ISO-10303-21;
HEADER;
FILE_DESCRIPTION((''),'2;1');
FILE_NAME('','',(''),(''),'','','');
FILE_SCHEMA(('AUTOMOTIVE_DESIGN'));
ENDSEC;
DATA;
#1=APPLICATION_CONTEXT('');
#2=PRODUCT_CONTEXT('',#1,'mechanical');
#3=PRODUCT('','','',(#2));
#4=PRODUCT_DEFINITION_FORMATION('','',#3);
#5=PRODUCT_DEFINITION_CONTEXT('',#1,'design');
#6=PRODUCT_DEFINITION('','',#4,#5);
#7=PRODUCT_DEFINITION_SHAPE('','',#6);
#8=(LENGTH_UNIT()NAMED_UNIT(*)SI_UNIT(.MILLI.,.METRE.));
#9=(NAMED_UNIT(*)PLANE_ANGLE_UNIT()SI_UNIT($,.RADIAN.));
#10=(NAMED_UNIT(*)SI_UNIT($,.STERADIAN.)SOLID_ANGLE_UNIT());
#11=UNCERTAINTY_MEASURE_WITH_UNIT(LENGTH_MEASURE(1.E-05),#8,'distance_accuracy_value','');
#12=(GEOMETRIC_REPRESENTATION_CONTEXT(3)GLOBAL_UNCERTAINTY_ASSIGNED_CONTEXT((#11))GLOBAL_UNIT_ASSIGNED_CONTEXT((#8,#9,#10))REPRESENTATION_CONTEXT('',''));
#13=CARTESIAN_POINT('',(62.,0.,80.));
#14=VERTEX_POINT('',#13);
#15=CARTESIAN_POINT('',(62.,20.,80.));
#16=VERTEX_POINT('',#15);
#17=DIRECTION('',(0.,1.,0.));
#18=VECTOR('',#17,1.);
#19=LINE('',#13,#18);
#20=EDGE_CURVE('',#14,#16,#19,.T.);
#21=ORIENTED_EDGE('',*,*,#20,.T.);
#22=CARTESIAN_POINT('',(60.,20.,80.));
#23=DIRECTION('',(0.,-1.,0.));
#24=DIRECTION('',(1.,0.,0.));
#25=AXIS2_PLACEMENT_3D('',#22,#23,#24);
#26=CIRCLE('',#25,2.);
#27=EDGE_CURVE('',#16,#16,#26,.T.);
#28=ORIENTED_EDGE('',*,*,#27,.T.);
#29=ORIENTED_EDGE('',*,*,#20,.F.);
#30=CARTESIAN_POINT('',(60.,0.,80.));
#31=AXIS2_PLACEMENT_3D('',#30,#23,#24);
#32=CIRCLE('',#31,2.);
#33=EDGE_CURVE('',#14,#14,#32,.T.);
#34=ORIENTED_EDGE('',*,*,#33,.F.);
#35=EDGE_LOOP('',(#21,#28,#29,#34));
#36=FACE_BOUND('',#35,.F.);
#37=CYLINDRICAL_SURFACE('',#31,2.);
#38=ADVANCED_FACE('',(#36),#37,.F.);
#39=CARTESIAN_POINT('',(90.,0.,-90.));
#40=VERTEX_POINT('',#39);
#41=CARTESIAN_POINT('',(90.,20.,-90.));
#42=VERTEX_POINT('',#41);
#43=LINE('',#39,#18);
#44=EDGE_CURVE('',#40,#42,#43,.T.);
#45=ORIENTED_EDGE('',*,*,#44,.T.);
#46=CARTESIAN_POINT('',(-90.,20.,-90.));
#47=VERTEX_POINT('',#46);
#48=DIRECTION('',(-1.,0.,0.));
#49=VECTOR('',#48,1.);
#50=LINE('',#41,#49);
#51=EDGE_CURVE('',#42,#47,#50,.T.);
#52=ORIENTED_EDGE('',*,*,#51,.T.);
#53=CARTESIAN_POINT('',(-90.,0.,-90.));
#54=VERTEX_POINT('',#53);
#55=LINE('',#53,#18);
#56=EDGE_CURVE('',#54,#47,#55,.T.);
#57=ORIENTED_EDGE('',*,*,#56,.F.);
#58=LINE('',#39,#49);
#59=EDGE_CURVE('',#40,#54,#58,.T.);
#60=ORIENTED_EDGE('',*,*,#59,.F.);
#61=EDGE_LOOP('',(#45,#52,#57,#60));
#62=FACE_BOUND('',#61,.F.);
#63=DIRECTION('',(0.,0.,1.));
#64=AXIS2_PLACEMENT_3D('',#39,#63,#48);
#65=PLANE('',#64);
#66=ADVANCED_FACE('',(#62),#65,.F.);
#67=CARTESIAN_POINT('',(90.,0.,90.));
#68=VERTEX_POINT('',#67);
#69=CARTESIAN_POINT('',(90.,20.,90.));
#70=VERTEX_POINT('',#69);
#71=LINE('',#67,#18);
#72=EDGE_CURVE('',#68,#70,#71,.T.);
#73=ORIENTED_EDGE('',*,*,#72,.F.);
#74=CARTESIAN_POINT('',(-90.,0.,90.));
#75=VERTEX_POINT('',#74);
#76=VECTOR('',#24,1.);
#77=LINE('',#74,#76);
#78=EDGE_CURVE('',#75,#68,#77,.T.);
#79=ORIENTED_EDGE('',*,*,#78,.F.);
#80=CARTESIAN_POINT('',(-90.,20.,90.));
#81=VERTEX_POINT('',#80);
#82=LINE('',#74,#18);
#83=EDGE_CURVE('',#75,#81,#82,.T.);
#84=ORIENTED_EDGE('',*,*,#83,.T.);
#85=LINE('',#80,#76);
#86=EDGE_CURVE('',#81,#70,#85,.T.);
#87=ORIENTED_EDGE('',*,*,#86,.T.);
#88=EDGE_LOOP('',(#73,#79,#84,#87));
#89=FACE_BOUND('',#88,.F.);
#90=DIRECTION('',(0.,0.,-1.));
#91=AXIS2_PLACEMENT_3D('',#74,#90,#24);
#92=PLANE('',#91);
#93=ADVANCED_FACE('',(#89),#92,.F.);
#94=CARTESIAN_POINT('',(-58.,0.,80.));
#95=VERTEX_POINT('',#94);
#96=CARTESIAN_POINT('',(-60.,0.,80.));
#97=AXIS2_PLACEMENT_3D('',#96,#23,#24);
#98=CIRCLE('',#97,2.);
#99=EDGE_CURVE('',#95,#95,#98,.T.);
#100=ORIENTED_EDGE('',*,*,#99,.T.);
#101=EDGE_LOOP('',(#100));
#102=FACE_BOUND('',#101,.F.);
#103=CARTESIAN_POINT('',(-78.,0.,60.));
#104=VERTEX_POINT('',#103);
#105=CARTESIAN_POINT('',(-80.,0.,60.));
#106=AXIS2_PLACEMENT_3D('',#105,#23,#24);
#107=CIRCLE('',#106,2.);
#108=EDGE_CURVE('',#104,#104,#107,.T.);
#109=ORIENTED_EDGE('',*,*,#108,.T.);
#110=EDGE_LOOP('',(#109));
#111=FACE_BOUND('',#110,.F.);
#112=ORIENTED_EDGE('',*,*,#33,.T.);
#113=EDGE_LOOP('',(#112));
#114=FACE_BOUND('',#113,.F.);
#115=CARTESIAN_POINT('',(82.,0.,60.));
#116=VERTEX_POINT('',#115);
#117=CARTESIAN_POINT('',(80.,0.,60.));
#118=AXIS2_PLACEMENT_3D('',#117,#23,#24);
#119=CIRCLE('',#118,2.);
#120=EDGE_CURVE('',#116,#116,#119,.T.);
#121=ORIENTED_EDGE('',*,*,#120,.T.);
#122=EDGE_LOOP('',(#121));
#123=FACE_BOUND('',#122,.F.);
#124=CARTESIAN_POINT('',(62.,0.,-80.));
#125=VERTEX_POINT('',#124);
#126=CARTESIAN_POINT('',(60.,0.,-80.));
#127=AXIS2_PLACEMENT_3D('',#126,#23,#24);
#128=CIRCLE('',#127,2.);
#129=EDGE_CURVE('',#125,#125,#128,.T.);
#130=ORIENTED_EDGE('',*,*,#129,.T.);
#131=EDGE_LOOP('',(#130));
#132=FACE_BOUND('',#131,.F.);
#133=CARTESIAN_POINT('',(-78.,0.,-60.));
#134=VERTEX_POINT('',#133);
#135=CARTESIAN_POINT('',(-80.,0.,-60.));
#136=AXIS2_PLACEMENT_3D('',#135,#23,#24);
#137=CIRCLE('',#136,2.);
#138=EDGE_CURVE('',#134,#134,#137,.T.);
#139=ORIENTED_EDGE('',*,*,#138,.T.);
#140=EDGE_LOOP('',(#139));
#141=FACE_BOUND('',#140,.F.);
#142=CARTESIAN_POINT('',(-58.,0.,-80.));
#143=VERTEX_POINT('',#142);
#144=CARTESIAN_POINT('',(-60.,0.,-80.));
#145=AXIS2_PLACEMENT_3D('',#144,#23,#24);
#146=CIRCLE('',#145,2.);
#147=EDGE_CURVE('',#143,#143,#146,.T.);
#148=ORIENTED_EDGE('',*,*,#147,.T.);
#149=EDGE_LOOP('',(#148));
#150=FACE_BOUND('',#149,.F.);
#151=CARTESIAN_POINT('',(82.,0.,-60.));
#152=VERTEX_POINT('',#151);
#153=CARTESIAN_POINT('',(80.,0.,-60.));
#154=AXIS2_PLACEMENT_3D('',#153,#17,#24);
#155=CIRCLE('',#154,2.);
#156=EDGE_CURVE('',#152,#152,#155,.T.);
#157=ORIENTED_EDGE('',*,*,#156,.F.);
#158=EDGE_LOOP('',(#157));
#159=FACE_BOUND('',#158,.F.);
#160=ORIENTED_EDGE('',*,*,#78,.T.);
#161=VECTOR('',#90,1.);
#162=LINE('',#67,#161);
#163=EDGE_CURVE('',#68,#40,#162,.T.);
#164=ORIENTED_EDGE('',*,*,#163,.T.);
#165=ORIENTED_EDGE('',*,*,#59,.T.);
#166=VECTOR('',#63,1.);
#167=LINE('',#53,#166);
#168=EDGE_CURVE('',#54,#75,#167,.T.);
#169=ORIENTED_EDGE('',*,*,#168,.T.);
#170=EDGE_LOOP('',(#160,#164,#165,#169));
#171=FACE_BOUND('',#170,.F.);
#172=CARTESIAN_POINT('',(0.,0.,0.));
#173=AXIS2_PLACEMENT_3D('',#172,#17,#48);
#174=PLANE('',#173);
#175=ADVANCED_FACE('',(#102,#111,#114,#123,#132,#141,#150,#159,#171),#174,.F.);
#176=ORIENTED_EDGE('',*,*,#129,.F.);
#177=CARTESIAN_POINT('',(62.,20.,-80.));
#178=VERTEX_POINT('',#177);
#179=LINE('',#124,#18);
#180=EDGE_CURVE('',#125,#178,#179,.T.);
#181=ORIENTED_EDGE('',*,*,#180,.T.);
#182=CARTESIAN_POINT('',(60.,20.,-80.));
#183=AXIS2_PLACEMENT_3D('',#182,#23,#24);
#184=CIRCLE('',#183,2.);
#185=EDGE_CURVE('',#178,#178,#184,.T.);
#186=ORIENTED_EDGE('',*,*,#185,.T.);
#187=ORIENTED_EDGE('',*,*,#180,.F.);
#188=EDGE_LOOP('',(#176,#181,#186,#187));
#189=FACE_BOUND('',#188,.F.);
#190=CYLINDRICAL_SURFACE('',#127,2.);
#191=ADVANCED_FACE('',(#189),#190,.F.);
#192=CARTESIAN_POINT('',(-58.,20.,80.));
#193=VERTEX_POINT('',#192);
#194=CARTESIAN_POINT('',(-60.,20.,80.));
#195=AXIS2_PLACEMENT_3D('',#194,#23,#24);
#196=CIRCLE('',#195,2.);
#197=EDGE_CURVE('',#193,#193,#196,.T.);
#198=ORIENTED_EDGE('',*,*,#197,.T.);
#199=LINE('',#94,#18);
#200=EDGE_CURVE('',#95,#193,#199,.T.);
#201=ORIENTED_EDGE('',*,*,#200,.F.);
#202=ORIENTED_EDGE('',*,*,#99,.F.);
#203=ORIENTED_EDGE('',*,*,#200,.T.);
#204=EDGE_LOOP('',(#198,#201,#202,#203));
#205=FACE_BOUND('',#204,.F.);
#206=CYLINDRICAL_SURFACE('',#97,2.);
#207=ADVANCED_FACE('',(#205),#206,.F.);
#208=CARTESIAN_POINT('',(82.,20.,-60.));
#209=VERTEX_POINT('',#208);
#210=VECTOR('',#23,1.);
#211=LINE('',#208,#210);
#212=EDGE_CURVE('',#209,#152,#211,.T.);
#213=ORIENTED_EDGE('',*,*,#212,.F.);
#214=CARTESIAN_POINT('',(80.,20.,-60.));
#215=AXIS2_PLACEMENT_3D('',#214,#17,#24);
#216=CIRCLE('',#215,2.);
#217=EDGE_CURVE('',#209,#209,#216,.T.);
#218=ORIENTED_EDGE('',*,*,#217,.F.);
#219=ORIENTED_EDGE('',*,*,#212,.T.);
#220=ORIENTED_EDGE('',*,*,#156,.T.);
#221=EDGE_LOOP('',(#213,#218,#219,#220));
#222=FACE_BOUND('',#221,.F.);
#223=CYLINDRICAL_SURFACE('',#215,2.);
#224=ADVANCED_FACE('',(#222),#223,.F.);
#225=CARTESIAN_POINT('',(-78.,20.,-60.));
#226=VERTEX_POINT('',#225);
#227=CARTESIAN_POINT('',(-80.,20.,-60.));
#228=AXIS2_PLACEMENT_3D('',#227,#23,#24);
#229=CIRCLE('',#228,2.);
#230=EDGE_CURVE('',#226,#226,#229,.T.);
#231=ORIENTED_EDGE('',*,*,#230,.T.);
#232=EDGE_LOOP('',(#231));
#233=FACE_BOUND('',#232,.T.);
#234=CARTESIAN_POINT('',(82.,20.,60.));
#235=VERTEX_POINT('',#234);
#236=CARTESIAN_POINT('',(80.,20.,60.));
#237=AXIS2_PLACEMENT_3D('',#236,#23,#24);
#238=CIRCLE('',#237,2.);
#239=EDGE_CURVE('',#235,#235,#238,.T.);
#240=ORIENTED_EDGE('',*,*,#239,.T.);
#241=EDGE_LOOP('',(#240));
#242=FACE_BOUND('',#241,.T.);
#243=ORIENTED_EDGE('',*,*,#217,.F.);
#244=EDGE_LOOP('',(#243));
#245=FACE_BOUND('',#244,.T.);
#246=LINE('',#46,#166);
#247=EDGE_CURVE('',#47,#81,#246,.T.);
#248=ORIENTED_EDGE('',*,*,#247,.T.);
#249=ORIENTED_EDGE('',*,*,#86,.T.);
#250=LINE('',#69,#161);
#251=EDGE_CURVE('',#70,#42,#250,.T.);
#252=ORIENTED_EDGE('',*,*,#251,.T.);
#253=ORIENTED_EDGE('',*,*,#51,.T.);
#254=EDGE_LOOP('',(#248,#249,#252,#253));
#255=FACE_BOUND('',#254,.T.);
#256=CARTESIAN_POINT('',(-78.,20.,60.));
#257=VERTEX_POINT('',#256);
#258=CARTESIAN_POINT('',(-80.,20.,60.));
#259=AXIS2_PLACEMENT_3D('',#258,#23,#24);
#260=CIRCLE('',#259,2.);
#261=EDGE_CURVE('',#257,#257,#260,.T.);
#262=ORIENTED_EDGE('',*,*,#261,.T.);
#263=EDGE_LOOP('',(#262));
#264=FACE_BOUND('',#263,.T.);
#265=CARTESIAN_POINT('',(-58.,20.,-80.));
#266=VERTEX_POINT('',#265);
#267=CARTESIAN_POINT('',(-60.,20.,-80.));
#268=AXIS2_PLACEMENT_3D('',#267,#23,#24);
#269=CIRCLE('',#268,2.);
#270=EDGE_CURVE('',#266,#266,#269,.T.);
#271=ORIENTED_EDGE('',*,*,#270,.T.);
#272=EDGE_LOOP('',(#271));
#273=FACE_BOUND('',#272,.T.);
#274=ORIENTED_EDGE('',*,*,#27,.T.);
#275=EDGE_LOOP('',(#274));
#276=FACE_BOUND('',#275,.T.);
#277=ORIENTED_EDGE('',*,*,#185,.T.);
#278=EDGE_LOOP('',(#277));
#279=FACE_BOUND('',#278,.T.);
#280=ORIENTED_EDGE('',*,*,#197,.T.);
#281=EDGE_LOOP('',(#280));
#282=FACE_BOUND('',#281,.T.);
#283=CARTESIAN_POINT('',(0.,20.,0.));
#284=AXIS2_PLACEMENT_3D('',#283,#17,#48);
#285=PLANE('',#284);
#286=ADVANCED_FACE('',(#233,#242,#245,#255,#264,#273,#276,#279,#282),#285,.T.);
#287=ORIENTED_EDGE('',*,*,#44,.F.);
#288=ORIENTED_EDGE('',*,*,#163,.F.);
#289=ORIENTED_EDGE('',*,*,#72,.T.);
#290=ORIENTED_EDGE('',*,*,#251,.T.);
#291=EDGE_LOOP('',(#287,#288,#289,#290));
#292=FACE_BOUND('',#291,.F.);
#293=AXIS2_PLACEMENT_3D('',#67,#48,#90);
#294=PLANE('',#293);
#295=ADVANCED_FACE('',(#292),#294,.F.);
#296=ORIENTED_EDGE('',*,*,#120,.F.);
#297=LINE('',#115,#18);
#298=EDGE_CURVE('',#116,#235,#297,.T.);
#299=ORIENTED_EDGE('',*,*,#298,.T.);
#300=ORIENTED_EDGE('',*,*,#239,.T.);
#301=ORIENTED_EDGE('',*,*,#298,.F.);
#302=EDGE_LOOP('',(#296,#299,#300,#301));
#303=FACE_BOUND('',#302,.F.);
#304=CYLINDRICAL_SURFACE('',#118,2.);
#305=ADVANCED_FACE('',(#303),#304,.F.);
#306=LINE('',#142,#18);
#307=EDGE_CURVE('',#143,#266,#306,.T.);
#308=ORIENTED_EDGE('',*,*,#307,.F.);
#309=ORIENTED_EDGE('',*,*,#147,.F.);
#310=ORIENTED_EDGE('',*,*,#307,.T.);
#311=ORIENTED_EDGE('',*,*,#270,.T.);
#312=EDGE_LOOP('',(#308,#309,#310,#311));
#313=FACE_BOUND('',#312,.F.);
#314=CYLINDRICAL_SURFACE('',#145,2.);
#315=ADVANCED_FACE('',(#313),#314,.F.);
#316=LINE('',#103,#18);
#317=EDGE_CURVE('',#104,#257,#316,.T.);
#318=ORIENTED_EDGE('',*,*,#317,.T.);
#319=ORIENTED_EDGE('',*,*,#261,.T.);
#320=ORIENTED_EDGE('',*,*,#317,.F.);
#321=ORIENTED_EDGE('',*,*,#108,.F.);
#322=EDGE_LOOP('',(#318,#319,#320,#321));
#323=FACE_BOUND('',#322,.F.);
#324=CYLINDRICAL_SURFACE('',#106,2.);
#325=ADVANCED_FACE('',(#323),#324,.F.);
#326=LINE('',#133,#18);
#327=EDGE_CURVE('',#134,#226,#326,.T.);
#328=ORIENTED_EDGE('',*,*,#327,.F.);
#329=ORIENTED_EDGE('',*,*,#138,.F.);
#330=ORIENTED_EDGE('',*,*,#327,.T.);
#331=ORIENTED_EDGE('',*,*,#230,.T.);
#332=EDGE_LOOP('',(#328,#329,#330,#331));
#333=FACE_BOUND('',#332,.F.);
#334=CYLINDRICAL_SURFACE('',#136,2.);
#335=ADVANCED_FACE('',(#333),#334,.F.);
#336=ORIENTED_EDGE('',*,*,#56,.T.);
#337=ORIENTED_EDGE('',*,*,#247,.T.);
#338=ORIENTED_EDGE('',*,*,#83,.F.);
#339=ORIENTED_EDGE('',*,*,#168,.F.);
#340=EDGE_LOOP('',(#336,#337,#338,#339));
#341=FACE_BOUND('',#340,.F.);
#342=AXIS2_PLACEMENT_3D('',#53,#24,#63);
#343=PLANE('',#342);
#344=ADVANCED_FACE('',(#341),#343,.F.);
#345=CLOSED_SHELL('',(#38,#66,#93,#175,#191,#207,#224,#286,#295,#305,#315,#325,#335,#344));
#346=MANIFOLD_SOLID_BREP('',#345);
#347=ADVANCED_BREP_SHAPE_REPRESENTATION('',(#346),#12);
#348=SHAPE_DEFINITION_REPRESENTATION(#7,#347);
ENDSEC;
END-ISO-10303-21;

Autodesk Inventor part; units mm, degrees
ref_plane "YZ Plane" through (0, 0, 0) normal (1, 0, 0) x (0, 1, 0)
ref_plane "XZ Plane" through (0, 0, 0) normal (0, 1, 0) x (-1, 0, 0)
ref_plane "XY Plane" through (0, 0, 0) normal (0, 0, 1) x (1, 0, 0)
sketch "草图2" plane through (0, 0, 0) normal (0, 1, 0) x (-1, 0, 0)
  line L0 (90, 90) -> (-90, 90)
  line L1 (-90, 90) -> (-90, -90)
  line L2 (-90, -90) -> (90, -90)
  line L3 (90, -90) -> (90, 90)
  point P0 (0, 0)
  dimension "d4" = 180
  dimension "d5" = 180
extrude "拉伸2" add sketch "草图2" along normal blind 20
sketch "草图3" plane through (0, 20, 0) normal (0, 1, 0) x (1, 0, 0)
  circle A0 centre (80, 60) radius 2
  point P0 (0, 0)
  dimension "d8" = 4
extrude "拉伸3" cut sketch "草图3" against normal through all
sketch "草图4" plane through (0, 0, 0) normal (0, -1, 0) x (1, 0, 0)
  circle A0 centre (60, -80) radius 2
  point P0 (0, 0)
  dimension "d11" = 4
extrude "拉伸4" cut sketch "草图4" against normal through all
sketch "草图5" plane through (0, 0, 0) normal (0, -1, 0) x (1, 0, 0)
  circle A0 centre (80, 60) radius 2
  point P0 (0, 0)
  dimension "d14" = 4
extrude "拉伸5" cut sketch "草图5" against normal through all
sketch "草图6" plane through (0, 0, 0) normal (0, -1, 0) x (1, 0, 0)
  circle A0 centre (60, 80) radius 2
  point P0 (0, 0)
  dimension "d17" = 4
extrude "拉伸6" cut sketch "草图6" against normal through all
sketch "草图7" plane through (0, 0, 0) normal (0, -1, 0) x (1, 0, 0)
  circle A0 centre (-80, -60) radius 2
  point P0 (0, 0)
  dimension "d20" = 4
extrude "拉伸7" cut sketch "草图7" against normal through all
sketch "草图8" plane through (0, 0, 0) normal (0, -1, 0) x (1, 0, 0)
  circle A0 centre (-60, -80) radius 2
  point P0 (0, 0)
  dimension "d23" = 4
extrude "拉伸8" cut sketch "草图8" against normal through all
sketch "草图9" plane through (0, 0, 0) normal (0, -1, 0) x (1, 0, 0)
  circle A0 centre (-80, 60) radius 2
  point P0 (0, 0)
  dimension "d26" = 4
extrude "拉伸9" cut sketch "草图9" against normal through all
sketch "草图10" plane through (0, 0, 0) normal (0, -1, 0) x (1, 0, 0)
  circle A0 centre (-60, 80) radius 2
  point P0 (0, 0)
  dimension "d29" = 4
extrude "拉伸10" cut sketch "草图10" against normal through all
properties part number "内层升降板"
